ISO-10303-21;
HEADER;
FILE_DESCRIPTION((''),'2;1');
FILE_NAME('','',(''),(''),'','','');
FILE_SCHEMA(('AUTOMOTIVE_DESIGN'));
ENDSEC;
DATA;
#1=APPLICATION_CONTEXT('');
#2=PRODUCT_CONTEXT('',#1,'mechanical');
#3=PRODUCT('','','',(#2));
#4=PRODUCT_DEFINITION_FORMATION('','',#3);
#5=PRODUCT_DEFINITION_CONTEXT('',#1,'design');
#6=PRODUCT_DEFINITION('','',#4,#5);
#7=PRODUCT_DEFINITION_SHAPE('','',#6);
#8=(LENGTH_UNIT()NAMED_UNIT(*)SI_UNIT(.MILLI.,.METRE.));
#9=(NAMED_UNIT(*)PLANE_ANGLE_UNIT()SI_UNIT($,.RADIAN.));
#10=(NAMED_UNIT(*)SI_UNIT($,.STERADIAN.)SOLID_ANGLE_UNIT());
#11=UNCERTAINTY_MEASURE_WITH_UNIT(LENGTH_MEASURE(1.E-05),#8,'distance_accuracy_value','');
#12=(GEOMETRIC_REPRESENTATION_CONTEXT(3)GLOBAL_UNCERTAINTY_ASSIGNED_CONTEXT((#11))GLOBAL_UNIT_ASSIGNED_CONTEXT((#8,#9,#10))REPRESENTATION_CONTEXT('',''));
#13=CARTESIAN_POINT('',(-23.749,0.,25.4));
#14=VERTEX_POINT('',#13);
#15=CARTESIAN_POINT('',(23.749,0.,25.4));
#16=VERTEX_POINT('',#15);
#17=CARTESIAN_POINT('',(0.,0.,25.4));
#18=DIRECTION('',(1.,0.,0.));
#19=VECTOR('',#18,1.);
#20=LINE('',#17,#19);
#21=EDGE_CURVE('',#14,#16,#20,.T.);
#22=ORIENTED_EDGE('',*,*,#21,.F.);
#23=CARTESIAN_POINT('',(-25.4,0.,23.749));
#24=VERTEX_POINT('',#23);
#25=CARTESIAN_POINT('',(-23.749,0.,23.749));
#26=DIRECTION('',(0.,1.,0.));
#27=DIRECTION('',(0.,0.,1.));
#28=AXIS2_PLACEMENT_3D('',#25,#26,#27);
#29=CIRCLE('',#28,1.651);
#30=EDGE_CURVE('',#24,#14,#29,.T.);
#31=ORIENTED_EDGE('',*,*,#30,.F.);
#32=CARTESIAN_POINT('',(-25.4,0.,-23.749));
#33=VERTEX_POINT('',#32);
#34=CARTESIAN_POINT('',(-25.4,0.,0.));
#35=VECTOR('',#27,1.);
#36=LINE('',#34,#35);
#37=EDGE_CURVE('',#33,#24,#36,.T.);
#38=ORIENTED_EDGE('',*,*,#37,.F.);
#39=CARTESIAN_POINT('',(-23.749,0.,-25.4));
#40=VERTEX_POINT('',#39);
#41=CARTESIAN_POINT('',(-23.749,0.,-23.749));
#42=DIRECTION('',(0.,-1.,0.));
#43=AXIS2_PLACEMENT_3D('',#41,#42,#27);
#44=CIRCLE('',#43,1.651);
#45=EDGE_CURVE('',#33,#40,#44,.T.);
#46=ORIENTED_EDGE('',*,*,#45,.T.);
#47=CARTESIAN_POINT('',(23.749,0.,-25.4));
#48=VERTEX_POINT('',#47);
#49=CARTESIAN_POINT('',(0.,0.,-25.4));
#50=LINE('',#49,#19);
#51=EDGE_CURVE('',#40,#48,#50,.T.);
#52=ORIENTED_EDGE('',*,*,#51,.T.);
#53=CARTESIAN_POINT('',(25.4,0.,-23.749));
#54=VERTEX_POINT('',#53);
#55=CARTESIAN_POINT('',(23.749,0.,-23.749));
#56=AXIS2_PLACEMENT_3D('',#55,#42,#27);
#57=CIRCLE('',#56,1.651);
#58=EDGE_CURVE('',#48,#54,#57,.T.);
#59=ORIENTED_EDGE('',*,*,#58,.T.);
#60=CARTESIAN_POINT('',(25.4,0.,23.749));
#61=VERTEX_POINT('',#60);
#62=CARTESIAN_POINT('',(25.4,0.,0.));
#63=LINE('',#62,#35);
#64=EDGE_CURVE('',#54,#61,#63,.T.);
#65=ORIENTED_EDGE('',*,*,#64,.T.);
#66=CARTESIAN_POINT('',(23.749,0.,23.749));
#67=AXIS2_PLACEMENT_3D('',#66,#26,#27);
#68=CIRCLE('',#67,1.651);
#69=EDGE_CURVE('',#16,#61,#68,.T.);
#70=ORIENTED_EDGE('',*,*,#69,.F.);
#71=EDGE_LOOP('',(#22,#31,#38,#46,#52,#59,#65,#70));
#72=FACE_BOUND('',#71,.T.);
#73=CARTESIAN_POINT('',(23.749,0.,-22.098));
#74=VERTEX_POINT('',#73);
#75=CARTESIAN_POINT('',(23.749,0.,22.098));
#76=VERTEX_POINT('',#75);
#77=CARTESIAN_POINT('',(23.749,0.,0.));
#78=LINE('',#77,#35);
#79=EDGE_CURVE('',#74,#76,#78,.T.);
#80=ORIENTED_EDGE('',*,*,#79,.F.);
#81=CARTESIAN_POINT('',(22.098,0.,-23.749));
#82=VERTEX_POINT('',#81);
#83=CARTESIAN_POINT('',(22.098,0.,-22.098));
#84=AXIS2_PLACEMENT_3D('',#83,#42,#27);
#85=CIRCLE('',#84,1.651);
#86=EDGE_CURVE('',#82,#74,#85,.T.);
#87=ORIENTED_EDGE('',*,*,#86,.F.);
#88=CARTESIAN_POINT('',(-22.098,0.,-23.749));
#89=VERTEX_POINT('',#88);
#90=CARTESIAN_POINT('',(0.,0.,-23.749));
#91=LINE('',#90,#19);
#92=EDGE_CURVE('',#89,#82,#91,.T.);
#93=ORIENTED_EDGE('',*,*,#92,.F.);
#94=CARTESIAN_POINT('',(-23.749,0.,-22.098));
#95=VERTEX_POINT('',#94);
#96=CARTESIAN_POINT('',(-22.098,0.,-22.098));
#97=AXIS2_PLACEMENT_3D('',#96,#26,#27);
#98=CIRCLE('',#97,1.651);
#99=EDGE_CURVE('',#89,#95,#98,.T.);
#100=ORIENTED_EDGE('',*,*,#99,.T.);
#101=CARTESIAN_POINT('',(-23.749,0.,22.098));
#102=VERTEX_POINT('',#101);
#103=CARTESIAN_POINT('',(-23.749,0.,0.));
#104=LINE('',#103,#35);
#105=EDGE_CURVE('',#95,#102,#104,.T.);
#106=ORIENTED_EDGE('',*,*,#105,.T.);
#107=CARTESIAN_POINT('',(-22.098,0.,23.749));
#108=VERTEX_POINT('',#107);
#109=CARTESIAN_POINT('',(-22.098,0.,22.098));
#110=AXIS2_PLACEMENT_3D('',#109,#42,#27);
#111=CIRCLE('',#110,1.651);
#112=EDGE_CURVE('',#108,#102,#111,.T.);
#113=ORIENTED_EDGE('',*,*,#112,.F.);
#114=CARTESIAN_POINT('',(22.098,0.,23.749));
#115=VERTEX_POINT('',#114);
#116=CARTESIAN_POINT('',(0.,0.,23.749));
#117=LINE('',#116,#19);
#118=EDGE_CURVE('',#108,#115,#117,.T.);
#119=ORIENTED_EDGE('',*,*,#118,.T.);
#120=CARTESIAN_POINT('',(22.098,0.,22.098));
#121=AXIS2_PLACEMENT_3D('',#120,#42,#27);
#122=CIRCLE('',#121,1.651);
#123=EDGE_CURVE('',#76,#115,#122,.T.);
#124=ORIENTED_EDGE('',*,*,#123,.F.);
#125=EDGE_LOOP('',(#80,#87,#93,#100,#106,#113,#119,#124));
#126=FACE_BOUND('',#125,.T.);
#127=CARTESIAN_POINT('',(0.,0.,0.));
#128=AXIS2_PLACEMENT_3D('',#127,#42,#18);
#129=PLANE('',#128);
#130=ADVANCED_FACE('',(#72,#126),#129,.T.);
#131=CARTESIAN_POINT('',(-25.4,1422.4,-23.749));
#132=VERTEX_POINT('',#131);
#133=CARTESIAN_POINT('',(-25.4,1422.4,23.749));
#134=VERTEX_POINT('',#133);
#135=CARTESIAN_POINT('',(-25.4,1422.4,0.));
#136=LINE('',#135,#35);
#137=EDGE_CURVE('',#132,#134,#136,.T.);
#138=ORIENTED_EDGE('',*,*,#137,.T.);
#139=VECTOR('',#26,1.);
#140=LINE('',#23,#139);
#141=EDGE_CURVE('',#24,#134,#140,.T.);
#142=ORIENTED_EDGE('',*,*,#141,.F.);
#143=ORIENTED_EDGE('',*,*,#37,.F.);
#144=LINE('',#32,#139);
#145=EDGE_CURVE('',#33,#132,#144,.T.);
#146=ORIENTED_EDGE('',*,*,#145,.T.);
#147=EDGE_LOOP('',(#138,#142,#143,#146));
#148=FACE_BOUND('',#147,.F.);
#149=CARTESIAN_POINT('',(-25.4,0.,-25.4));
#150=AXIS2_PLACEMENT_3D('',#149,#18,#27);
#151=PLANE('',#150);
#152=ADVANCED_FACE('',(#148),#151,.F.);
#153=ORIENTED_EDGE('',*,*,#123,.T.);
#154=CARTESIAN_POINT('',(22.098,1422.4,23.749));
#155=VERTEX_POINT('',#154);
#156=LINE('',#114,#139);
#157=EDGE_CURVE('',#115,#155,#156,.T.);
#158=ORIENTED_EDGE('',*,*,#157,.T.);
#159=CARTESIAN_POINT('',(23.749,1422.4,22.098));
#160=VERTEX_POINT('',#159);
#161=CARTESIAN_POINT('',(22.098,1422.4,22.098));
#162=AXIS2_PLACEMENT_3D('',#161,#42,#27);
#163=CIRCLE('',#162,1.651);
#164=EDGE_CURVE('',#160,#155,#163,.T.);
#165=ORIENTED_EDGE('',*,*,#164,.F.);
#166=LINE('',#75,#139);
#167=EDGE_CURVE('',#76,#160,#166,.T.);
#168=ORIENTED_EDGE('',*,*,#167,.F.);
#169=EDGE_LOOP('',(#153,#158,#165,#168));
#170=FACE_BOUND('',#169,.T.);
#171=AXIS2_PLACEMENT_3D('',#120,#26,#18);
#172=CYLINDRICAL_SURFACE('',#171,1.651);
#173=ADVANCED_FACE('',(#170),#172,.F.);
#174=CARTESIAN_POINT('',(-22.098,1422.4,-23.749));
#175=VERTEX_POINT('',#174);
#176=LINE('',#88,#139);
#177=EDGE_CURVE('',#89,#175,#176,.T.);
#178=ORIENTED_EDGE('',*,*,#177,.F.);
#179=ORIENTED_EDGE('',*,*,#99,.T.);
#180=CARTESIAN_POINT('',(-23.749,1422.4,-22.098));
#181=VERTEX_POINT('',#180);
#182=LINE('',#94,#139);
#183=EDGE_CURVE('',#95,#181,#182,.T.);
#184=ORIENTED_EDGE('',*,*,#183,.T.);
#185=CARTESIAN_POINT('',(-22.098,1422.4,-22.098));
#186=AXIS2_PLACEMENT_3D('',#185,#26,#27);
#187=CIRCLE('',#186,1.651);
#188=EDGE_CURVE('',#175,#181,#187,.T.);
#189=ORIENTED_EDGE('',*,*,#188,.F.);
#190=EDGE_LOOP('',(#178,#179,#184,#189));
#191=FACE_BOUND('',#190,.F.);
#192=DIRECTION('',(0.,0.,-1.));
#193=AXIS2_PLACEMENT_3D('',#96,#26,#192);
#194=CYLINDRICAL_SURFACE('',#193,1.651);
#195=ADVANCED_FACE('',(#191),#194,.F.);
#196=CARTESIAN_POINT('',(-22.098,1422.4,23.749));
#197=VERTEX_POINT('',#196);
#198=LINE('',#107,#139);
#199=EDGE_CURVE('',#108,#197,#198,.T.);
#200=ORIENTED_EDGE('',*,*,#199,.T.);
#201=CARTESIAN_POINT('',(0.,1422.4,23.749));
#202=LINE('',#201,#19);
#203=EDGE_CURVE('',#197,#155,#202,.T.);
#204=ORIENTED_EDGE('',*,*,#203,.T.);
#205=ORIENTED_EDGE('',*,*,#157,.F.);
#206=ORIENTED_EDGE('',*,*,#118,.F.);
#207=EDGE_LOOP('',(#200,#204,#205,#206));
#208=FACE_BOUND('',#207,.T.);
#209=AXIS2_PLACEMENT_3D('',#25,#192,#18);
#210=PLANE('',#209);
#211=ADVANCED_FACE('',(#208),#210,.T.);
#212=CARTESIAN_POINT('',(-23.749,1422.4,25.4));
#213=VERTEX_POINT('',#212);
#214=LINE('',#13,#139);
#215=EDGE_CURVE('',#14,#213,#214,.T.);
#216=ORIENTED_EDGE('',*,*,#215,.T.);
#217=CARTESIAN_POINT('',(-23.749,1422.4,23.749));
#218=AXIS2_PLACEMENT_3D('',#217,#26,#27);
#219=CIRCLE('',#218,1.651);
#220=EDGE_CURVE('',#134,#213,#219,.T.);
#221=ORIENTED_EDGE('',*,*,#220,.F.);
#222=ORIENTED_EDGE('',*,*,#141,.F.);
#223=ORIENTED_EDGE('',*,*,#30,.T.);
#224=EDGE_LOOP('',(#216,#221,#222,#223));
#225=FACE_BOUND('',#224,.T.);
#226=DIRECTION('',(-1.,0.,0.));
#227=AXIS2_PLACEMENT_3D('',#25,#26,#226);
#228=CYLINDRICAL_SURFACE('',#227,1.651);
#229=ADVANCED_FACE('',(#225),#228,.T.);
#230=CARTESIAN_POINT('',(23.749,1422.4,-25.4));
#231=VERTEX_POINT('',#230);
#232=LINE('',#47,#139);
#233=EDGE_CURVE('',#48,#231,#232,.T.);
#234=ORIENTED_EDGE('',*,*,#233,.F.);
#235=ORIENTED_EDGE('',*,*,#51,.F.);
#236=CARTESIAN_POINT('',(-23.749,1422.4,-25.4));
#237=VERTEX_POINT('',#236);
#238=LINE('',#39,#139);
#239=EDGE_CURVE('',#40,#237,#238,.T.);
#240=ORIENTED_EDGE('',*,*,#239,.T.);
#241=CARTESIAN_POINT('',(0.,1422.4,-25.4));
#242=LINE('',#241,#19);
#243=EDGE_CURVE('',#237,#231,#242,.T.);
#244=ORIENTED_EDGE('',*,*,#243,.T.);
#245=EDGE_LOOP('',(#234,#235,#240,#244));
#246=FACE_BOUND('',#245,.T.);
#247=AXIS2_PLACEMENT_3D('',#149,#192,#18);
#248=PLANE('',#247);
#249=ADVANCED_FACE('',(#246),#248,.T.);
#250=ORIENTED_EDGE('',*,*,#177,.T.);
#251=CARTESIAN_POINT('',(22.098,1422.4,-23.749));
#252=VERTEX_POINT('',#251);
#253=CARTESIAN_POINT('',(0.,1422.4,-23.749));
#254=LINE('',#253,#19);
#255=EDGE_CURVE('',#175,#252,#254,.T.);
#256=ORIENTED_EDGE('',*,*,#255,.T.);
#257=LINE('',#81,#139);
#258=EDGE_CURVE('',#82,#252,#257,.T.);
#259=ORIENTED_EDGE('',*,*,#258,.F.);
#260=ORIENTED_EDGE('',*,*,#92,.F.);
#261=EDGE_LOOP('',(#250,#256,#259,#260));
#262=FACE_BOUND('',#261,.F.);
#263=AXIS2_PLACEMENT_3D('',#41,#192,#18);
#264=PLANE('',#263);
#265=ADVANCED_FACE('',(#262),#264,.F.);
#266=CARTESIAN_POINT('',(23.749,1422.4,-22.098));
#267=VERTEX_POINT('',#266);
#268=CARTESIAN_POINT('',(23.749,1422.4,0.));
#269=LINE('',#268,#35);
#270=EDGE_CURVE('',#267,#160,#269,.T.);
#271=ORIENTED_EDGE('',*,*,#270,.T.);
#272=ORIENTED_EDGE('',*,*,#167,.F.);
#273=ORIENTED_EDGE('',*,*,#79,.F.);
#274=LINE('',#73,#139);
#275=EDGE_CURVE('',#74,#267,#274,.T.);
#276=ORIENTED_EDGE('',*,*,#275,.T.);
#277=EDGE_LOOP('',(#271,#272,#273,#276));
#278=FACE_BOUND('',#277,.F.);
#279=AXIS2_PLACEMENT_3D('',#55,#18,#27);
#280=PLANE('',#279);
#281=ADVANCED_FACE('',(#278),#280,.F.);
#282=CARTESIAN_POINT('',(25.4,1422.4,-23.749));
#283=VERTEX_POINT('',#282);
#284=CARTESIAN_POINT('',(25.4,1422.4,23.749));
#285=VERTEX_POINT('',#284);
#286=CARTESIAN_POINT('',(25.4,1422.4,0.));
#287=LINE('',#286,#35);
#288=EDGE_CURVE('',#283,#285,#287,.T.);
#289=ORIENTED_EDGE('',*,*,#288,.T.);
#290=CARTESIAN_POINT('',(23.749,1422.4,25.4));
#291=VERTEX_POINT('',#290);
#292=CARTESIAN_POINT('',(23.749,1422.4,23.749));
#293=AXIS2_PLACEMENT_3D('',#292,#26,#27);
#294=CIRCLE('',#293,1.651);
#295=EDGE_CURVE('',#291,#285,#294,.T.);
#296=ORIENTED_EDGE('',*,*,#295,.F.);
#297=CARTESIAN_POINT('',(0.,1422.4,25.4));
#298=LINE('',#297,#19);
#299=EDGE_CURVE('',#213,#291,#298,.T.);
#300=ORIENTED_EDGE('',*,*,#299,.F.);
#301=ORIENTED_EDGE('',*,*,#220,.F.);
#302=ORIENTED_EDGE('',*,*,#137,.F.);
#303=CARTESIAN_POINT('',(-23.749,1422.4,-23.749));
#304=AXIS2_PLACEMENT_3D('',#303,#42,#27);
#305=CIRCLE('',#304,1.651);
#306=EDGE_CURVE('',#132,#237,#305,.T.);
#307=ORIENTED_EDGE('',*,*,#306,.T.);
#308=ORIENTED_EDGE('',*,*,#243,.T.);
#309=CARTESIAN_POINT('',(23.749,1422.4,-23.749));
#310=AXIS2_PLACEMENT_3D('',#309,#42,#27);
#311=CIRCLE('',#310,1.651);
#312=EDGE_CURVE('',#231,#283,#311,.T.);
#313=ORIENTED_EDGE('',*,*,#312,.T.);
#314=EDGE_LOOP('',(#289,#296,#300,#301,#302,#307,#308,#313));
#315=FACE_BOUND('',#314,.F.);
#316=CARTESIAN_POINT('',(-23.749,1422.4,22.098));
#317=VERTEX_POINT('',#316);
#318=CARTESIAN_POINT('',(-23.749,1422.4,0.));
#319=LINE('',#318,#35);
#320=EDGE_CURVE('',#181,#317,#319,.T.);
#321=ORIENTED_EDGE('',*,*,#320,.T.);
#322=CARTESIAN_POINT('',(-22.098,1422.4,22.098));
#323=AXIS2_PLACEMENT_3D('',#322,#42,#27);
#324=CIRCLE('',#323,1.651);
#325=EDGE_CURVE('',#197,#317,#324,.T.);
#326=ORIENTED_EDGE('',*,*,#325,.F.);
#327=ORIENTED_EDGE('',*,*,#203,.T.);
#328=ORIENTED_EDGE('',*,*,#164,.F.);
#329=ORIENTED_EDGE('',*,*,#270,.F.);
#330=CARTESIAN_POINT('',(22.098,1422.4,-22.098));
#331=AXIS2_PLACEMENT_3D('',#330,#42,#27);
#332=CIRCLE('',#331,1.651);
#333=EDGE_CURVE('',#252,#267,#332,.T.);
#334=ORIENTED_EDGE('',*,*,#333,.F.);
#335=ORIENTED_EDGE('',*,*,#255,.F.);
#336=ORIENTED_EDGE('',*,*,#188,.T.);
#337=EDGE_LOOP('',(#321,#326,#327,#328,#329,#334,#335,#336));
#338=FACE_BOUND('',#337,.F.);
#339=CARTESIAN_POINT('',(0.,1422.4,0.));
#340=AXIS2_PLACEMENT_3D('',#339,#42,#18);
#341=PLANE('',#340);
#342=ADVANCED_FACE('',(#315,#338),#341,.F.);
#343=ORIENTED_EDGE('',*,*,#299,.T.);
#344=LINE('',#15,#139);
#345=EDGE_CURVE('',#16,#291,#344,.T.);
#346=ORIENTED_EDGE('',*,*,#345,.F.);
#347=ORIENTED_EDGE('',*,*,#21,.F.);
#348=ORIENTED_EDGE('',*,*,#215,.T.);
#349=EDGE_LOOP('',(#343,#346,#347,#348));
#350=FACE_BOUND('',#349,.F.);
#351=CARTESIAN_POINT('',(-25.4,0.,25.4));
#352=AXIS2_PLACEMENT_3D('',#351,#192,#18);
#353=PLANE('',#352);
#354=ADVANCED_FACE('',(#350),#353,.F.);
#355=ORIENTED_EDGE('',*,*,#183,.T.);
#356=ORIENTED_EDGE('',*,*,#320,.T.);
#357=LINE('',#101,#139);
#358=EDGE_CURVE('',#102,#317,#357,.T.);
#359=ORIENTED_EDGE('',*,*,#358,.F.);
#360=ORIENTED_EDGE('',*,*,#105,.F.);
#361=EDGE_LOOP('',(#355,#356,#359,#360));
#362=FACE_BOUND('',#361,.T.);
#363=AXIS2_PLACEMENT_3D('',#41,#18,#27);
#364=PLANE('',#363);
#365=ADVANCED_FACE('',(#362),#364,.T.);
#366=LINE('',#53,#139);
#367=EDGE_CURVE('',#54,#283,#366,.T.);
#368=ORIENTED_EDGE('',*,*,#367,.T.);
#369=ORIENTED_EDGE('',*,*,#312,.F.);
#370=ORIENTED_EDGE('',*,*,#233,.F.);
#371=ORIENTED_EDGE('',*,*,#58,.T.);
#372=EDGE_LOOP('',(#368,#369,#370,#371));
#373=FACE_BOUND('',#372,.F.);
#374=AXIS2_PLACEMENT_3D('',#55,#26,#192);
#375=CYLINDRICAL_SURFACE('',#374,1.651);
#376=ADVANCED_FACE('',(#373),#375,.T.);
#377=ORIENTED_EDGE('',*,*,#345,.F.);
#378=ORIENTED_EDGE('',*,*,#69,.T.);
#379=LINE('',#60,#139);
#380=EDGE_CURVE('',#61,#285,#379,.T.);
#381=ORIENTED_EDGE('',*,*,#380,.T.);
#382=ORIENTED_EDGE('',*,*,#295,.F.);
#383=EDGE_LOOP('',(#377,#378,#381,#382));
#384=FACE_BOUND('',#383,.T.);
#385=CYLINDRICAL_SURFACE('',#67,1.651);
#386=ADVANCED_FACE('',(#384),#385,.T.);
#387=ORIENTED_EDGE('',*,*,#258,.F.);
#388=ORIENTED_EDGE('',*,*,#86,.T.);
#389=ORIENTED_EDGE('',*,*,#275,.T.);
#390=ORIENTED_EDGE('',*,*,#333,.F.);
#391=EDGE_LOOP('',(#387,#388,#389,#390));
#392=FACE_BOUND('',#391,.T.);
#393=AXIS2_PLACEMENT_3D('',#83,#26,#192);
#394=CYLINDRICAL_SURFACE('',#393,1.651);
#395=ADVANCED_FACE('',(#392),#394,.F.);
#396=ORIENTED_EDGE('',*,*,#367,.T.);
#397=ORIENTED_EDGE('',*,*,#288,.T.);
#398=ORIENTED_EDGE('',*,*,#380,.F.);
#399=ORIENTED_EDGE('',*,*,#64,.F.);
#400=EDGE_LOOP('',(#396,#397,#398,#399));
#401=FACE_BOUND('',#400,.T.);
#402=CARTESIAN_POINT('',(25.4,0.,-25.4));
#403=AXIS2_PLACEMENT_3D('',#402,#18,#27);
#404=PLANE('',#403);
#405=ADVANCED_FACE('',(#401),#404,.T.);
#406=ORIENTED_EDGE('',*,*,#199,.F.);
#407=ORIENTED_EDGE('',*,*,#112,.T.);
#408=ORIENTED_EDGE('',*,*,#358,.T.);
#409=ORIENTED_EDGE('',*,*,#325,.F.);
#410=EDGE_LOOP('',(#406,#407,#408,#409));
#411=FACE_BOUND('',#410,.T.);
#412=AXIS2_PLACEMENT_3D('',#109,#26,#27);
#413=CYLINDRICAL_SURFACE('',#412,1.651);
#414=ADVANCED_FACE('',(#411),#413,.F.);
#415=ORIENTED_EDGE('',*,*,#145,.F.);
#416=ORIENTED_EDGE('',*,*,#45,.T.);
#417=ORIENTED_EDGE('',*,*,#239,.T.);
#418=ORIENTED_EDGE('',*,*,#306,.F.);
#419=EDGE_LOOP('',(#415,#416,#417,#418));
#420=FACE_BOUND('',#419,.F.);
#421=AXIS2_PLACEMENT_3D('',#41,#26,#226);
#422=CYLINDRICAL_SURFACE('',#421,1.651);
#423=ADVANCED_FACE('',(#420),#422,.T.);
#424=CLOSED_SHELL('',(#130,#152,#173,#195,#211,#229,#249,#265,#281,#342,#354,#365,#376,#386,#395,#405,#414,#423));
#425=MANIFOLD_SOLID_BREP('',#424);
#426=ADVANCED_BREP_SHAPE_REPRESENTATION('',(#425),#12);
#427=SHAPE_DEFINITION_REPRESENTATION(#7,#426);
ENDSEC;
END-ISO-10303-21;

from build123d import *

# Parameters (mm, degrees)
F0_W     = 50.8
F0_H     = 50.8
F0_W_2   = 47.498
F0_H_2   = 47.498
F1_DEPTH = 1422.4
F2_R     = 1.651
F3_R     = 1.651


with BuildPart() as f1:
    # F0 (on Front) → F1 (new body)
    with BuildSketch(Plane.XZ):
        Rectangle(F0_W, F0_H)
        Rectangle(F0_W_2, F0_H_2, mode=Mode.SUBTRACT)
    extrude(amount=-F1_DEPTH)

    # F2
    f2_edges = [f1.edges().sort_by_distance(p)[0] for p in [
        (-23.749, 711.2, 23.749),
        (23.749, 711.2, 23.749),
        (-23.749, 711.2, -23.749),
        (23.749, 711.2, -23.749),
    ]]
    fillet(f2_edges, radius=F2_R)

    # F3
    f3_edges = [f1.edges().sort_by_distance(p)[0] for p in [
        (-25.4, 711.2, 25.4),
        (-25.4, 711.2, -25.4),
        (25.4, 711.2, 25.4),
        (25.4, 711.2, -25.4),
    ]]
    fillet(f3_edges, radius=F3_R)


solid = f1.part
